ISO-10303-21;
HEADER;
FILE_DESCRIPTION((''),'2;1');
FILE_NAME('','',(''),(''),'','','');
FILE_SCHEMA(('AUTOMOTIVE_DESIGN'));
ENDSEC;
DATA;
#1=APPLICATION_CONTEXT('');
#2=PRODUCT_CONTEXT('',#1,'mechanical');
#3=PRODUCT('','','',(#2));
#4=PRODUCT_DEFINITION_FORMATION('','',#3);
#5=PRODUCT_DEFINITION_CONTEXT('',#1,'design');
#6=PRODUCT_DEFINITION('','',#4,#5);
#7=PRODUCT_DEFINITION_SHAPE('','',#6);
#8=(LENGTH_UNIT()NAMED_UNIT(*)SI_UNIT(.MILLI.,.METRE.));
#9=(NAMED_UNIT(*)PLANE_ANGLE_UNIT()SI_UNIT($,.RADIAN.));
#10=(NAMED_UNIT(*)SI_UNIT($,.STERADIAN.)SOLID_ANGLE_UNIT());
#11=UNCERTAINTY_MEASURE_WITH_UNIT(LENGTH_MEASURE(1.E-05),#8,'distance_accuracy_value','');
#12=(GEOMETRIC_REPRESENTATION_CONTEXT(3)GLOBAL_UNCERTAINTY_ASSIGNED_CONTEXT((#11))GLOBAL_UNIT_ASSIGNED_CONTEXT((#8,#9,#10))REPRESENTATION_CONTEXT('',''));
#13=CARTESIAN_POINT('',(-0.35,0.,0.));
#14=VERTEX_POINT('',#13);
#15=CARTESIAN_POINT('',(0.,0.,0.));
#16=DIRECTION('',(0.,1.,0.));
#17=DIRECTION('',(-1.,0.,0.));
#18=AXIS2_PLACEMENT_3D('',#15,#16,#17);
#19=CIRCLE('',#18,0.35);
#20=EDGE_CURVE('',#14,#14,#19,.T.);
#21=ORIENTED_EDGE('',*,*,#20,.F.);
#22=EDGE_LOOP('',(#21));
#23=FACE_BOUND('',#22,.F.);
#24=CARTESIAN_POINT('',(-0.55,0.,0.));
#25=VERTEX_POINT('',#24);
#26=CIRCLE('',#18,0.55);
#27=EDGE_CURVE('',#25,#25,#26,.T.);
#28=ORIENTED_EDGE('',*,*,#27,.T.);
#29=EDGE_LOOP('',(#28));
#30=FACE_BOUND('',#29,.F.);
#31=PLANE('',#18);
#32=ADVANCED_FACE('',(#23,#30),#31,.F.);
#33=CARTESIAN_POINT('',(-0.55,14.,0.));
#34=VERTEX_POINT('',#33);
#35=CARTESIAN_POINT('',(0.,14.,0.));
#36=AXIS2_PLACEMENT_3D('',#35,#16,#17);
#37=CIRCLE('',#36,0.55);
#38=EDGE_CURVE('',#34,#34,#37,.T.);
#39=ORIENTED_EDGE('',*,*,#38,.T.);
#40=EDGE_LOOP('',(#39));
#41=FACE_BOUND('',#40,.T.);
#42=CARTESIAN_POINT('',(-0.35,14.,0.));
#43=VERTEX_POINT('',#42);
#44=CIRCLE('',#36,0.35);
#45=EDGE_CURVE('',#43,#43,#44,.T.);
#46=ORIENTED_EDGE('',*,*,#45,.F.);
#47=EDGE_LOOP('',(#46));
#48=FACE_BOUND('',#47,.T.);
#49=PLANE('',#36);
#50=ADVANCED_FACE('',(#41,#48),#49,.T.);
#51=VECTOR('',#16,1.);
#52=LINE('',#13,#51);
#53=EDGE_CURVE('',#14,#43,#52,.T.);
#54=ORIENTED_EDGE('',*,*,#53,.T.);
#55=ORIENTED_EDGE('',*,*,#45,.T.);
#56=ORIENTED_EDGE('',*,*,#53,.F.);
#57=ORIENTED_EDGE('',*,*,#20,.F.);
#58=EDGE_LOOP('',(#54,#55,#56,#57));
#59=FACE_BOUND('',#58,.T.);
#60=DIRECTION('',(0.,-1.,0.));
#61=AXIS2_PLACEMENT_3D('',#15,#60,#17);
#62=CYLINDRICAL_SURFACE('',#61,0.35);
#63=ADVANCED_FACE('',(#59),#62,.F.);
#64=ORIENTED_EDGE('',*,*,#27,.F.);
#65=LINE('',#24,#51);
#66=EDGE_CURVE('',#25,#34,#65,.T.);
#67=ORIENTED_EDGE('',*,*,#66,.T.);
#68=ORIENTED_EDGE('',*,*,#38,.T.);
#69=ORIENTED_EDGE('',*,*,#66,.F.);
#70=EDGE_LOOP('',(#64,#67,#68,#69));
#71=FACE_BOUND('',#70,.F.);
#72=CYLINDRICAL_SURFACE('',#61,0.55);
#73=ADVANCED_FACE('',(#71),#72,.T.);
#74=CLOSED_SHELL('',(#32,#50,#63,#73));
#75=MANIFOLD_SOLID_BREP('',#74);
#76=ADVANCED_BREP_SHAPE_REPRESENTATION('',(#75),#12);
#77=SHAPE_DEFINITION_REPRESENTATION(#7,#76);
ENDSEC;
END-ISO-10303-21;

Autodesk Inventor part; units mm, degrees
ref_plane "YZ Plane" through (0, 0, 0) normal (1, 0, 0) x (0, 1, 0)
ref_plane "XZ Plane" through (0, 0, 0) normal (0, 1, 0) x (-1, 0, 0)
ref_plane "XY Plane" through (0, 0, 0) normal (0, 0, 1) x (1, 0, 0)
sketch "Skizze3" plane through (0, 0, 0) normal (0, 1, 0) x (-1, 0, 0)
  circle A0 centre (0, 0) radius 0.35
  circle A1 centre (0, 0) radius 0.55
  dimension "d4" = 0.7
  dimension "d5" = 1.1
extrude "Extrusion3" add sketch "Skizze3" along normal blind 14
properties part number "BT011_huenin20_24"
